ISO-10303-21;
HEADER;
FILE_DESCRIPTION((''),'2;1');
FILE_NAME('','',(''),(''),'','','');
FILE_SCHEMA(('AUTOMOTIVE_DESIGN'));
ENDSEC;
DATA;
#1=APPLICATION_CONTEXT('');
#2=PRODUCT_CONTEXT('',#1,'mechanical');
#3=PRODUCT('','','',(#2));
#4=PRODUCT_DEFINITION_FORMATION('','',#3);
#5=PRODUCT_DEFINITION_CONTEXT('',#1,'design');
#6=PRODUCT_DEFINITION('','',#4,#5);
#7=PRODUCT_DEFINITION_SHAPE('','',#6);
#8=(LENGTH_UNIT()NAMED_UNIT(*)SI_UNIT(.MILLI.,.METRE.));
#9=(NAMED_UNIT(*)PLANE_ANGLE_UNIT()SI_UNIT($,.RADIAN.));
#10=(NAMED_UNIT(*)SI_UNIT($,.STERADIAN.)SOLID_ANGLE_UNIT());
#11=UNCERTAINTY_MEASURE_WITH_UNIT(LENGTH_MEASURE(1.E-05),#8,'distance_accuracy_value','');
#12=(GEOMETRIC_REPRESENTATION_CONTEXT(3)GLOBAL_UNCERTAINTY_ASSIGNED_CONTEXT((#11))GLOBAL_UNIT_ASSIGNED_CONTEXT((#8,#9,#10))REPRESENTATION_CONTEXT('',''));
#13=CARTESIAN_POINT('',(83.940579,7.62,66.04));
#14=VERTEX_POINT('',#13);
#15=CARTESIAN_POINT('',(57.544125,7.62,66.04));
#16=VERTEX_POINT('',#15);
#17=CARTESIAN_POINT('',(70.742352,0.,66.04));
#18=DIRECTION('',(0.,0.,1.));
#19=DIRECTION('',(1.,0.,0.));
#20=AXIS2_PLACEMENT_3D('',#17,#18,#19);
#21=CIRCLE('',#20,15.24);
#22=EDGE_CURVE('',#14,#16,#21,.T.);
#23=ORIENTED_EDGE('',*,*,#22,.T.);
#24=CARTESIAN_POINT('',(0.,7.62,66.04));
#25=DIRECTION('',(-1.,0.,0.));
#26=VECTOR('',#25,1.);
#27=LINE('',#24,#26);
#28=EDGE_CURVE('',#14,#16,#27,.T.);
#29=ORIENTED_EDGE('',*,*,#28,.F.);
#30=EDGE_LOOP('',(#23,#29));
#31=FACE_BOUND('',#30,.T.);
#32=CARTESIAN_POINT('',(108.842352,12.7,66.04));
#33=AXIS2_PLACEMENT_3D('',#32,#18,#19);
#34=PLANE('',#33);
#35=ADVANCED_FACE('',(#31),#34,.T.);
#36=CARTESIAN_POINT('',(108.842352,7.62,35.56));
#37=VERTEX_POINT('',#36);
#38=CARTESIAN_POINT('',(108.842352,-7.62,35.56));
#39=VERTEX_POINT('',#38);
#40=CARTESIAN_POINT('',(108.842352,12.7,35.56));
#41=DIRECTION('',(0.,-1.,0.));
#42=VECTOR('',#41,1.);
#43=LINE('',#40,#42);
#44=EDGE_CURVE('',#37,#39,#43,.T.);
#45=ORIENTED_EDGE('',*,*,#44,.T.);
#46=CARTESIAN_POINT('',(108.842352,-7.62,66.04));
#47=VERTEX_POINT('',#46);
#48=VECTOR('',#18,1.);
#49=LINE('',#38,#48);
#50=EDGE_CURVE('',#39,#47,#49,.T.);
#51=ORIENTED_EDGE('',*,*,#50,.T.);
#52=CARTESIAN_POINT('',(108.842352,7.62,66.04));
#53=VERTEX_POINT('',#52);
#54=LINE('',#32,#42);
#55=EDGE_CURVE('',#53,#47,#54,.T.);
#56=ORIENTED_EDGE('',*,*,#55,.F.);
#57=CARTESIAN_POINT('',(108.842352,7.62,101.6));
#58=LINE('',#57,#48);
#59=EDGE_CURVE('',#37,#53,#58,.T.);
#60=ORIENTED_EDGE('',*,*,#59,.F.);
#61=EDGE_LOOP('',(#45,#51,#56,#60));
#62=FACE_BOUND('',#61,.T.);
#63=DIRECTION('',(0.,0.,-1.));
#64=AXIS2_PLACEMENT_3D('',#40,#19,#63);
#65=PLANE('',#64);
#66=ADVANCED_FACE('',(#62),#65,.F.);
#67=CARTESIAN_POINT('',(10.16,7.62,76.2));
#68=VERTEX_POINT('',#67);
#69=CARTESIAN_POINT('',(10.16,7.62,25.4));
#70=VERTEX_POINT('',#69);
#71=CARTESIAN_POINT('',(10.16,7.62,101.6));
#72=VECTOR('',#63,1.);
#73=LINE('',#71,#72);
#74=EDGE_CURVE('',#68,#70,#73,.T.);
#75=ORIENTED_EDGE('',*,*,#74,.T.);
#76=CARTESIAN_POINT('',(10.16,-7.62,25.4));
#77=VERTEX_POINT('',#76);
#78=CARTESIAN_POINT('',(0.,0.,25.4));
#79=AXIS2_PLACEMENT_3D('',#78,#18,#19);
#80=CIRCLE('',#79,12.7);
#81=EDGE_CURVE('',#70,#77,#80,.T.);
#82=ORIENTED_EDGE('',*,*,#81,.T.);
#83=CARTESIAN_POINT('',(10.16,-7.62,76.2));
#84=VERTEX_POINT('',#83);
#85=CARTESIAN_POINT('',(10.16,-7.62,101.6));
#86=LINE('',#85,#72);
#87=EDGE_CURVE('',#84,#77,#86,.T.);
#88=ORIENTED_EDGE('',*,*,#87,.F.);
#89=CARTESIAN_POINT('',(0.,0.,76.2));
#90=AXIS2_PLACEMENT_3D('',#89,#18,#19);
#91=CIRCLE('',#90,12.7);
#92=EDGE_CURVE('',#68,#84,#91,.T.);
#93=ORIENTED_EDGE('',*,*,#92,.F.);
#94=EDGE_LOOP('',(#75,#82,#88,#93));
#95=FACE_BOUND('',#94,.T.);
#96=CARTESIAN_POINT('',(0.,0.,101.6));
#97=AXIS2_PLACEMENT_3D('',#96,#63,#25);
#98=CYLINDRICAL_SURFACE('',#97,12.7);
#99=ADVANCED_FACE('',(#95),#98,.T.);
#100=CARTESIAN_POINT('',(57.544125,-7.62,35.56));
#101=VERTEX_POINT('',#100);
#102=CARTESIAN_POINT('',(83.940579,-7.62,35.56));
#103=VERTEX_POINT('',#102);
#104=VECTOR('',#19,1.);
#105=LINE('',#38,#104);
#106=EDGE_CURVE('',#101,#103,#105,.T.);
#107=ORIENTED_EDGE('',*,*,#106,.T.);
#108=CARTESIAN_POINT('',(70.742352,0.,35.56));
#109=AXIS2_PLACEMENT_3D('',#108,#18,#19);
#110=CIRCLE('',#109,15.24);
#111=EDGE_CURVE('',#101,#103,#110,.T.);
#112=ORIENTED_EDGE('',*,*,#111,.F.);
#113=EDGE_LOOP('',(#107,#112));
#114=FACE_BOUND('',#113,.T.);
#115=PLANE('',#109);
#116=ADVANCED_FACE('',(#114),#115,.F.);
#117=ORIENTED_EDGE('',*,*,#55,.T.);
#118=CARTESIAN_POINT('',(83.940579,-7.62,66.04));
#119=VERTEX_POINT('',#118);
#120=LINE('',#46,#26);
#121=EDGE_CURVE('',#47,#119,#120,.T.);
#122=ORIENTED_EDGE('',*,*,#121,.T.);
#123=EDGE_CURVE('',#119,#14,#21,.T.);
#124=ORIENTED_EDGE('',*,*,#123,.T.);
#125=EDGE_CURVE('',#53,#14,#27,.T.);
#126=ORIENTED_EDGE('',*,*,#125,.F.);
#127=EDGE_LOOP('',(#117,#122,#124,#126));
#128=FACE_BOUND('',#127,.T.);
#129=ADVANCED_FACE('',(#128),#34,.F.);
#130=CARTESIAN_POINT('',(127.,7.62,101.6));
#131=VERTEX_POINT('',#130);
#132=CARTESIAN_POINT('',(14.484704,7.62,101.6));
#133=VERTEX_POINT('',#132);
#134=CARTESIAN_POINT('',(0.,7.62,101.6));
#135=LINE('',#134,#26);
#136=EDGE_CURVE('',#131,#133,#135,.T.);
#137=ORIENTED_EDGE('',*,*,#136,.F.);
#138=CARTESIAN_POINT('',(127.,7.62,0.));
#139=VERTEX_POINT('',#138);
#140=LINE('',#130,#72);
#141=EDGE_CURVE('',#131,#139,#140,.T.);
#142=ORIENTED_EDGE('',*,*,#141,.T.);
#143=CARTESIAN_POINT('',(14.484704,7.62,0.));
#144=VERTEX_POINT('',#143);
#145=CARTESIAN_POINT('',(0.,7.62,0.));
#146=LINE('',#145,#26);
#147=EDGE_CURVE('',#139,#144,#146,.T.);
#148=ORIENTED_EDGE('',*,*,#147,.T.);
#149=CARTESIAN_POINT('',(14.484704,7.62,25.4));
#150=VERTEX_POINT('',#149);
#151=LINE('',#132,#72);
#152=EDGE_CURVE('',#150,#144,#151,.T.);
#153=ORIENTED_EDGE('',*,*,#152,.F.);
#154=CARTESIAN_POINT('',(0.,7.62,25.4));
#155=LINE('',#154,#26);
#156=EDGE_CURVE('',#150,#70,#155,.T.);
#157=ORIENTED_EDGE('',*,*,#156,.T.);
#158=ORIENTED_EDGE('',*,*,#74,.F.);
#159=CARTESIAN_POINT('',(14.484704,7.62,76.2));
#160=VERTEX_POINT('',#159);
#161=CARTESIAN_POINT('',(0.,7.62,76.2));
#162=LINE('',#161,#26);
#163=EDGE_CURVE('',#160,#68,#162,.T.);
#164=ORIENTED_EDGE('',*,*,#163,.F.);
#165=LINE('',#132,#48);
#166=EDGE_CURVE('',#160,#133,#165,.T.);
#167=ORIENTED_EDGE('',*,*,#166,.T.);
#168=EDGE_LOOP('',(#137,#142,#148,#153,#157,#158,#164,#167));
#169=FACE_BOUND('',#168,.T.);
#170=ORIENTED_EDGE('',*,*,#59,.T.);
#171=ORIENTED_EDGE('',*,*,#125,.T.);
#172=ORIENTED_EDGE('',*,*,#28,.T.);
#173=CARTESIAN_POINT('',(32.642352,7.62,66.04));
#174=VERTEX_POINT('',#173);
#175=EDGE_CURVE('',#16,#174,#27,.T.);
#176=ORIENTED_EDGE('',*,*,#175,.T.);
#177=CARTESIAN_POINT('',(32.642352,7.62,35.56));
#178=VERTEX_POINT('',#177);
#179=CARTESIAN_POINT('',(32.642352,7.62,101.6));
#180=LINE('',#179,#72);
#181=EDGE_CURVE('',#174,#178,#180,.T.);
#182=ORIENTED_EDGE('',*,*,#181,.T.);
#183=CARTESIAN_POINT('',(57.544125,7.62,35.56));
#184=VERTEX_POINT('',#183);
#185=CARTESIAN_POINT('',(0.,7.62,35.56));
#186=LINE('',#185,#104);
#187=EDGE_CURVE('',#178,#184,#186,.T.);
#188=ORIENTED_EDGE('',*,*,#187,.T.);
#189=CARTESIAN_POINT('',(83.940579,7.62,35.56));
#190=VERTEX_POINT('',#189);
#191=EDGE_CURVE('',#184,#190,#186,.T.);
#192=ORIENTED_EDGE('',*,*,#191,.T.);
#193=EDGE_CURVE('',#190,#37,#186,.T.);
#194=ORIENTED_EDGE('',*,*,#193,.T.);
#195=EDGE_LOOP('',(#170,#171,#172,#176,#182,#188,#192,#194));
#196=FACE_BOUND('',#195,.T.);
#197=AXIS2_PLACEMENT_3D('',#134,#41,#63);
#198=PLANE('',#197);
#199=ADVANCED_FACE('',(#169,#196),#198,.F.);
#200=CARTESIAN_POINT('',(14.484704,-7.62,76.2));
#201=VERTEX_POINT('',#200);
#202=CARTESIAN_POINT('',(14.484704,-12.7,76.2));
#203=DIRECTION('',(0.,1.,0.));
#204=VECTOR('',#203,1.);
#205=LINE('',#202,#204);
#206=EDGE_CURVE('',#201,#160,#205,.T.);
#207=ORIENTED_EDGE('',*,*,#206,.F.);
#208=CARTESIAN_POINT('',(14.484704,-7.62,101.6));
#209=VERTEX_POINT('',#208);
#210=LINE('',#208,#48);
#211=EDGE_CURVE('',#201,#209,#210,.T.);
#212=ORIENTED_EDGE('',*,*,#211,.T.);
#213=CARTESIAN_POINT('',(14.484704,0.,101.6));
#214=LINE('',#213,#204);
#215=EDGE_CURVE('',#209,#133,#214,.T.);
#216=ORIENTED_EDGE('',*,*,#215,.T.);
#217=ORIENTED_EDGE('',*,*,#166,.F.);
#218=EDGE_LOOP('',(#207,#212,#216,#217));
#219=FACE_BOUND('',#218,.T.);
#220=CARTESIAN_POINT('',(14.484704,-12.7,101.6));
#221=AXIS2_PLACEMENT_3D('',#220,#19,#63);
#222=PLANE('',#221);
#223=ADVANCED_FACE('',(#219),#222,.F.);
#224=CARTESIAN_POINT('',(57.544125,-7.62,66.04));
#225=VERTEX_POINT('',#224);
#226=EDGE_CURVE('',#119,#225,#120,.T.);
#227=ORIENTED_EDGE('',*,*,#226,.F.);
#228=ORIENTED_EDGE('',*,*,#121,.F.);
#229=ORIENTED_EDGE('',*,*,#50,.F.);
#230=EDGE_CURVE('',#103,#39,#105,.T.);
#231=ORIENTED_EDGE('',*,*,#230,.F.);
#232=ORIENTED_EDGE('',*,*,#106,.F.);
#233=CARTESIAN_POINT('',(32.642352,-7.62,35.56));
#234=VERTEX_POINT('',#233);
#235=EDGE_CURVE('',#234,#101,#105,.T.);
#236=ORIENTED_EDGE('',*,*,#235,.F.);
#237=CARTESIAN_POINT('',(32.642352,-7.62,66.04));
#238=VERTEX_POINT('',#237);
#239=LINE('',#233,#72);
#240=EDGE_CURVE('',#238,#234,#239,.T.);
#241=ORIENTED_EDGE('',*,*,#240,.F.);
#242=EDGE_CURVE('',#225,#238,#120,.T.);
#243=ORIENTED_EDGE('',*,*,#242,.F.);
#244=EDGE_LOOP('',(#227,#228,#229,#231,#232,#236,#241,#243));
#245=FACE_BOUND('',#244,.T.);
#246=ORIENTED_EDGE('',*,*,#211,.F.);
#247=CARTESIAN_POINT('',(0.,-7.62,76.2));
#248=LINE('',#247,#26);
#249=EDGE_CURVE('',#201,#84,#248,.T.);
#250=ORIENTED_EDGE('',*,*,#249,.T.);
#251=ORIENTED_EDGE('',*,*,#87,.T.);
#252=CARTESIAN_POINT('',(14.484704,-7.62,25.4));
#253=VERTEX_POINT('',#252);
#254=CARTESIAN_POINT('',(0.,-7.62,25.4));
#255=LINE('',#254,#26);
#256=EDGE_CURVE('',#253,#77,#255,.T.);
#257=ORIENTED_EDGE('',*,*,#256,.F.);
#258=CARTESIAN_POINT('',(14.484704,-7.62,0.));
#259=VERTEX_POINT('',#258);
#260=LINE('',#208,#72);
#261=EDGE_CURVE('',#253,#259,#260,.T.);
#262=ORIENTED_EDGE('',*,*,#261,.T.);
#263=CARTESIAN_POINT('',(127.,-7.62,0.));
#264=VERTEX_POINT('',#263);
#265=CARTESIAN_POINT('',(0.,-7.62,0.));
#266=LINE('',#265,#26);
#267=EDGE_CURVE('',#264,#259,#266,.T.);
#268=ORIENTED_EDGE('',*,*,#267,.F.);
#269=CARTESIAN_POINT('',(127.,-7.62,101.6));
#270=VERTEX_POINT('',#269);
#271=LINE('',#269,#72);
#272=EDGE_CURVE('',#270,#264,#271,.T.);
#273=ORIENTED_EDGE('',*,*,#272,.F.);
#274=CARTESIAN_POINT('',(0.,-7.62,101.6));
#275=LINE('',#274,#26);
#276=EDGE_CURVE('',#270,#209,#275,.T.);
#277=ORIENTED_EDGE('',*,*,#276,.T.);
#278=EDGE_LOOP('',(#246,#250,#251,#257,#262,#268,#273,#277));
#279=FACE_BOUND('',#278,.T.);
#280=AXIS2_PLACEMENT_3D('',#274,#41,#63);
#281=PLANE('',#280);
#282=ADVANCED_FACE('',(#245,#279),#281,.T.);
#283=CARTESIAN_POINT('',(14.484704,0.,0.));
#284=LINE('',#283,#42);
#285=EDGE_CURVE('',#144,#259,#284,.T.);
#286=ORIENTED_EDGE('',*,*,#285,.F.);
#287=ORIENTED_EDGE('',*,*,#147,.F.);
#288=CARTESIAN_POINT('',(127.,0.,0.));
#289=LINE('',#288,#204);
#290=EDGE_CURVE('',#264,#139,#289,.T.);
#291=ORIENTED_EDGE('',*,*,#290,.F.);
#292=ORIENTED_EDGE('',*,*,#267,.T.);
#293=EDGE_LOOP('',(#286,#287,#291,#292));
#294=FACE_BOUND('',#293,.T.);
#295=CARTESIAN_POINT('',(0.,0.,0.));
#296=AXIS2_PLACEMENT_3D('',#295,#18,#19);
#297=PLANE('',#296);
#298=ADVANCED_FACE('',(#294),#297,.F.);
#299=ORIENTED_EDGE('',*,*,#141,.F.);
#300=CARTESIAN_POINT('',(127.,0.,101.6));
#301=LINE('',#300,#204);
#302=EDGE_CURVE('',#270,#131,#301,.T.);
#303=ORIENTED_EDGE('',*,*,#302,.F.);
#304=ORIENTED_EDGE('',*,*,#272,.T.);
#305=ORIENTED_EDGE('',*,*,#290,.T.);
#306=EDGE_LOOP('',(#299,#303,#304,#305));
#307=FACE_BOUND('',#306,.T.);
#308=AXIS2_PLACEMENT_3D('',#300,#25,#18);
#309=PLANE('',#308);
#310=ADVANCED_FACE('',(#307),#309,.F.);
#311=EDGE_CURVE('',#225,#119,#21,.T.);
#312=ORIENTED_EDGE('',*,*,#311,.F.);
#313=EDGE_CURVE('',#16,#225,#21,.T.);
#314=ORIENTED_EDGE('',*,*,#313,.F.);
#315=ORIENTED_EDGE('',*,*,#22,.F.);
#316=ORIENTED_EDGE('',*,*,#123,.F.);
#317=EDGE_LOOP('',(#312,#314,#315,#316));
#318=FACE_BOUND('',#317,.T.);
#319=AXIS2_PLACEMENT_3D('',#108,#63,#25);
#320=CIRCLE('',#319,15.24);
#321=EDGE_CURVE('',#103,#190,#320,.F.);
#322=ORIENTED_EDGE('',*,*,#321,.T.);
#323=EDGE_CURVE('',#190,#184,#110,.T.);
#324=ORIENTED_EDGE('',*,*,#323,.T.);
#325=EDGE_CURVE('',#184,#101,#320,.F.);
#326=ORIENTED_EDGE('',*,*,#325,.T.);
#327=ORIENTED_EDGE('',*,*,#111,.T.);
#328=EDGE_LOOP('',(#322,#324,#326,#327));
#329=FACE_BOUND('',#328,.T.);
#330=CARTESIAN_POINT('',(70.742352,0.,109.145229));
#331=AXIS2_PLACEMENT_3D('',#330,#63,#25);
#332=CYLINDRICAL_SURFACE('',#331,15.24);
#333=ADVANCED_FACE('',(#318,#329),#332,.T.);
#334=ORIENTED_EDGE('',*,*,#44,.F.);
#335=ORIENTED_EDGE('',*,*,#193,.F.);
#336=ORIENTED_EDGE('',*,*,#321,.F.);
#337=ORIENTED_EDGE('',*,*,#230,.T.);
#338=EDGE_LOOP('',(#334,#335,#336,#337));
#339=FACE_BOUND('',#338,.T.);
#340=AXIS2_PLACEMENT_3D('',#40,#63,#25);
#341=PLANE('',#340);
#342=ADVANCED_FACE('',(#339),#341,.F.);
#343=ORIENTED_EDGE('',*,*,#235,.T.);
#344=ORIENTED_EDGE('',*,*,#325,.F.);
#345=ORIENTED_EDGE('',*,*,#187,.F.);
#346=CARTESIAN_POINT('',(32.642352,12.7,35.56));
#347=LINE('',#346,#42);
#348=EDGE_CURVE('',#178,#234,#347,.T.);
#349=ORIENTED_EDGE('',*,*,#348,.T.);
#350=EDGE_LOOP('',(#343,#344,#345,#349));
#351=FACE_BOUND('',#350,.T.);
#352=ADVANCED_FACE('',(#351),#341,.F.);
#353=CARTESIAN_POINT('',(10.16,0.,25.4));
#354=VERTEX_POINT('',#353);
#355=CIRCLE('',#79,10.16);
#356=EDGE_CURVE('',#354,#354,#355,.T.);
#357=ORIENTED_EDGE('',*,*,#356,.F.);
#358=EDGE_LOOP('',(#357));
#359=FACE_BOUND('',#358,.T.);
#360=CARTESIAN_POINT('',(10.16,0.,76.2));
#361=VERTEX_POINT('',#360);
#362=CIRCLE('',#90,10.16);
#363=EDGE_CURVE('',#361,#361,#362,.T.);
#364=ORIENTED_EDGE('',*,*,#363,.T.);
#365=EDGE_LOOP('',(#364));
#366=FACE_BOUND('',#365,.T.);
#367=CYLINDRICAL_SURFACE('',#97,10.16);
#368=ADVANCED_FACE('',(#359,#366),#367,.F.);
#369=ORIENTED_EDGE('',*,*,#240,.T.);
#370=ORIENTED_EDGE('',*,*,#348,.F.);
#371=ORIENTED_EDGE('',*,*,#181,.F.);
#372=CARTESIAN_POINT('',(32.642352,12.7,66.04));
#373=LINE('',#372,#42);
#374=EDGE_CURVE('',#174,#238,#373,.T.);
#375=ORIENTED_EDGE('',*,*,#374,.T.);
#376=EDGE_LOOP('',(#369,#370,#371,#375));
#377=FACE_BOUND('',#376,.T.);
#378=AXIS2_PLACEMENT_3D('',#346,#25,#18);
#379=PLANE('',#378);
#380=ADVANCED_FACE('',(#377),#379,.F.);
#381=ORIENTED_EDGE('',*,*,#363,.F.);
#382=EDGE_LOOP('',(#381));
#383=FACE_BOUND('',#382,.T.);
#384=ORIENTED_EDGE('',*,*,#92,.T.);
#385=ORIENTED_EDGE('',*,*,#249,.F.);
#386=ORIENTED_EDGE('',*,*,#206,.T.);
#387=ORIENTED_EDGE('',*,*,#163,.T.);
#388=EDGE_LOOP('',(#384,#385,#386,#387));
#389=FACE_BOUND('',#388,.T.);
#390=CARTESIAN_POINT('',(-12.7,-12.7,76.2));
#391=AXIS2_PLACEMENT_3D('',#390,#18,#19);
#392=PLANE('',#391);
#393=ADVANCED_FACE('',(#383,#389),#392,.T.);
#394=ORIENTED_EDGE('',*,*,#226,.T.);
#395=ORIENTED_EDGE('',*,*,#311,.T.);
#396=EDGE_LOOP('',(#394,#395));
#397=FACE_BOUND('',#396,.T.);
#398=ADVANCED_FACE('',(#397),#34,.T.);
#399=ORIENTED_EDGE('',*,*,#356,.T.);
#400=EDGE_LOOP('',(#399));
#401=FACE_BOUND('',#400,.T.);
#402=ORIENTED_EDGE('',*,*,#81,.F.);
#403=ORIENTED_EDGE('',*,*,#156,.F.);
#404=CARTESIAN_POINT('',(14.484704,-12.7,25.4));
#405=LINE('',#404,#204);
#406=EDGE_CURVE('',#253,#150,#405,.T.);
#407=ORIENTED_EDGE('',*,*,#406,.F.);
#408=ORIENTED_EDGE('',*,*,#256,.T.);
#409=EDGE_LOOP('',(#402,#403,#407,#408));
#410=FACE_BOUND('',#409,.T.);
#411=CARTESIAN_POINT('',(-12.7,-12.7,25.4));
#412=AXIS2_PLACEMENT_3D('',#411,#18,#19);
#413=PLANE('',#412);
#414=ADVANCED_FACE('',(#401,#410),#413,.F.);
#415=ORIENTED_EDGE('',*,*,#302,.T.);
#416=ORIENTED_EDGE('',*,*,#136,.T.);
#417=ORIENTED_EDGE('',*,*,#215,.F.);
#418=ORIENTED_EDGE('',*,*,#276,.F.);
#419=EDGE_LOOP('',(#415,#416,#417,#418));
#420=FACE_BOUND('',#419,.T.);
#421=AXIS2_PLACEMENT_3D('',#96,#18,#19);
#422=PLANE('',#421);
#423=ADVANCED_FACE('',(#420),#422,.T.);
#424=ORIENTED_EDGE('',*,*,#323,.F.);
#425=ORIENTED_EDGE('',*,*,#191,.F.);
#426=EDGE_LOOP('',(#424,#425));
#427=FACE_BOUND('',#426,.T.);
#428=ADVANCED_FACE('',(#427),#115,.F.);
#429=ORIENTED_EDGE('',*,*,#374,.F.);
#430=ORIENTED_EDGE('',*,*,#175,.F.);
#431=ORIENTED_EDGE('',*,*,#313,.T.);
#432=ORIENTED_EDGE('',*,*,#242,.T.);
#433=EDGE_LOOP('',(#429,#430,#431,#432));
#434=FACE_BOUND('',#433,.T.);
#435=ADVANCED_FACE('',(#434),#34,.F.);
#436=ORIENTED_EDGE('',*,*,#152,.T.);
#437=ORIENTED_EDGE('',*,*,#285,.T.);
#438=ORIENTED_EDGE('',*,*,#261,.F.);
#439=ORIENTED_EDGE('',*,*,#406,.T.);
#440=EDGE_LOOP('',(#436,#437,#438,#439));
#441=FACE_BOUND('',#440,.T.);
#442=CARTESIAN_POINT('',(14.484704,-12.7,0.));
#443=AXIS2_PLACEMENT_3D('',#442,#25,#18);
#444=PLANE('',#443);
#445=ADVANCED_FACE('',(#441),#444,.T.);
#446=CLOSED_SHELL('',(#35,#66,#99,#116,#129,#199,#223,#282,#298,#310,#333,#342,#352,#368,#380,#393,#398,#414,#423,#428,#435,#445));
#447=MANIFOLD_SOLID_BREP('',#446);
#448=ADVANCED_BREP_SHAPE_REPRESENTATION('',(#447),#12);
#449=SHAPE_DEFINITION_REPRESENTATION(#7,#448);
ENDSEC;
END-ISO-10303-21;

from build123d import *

# Parameters (mm, degrees)
SKETCH1_R               = 12.7
SKETCH1_R_2             = 10.16
SKETCH1_W               = 116.84
SKETCH1_H               = 15.24
BOSS_EXTRUDE1_DEPTH     = 101.6
SKETCH2_W               = 27.184704077
SKETCH2_H               = 25.4
CUT_EXTRUDE1_DEPTH      = 6.08
CUT_EXTRUDE1_DEPTH_BACK = 21.32
SKETCH3_W               = 76.2
SKETCH3_H               = 30.48
CUT_EXTRUDE2_DEPTH      = 21.32
SKETCH4_R               = 15.24
BOSS_EXTRUDE2_DEPTH     = 30.48


with BuildPart() as part:
    # Sketch1 → Boss-Extrude1 (new body)
    with BuildSketch(Plane.XY):
        Circle(SKETCH1_R)
        Circle(SKETCH1_R_2, mode=Mode.SUBTRACT)
        with Locations((68.58, 0)):
            Rectangle(SKETCH1_W, SKETCH1_H)
    extrude(amount=BOSS_EXTRUDE1_DEPTH)

    # Sketch2 → Cut-Extrude1 (cut, two sides)
    with BuildSketch(Plane(origin=(0, 7.62, 0), x_dir=(1, 0, 0), z_dir=(0, 1, 0))) as cut_extrude1_sk:
        with Locations((0.892352039, -88.9)):
            Rectangle(SKETCH2_W, SKETCH2_H)
        with Locations((0.892352039, -12.7)):
            Rectangle(SKETCH2_W, SKETCH2_H)
    extrude(amount=CUT_EXTRUDE1_DEPTH, mode=Mode.SUBTRACT)
    extrude(cut_extrude1_sk.sketch, amount=-CUT_EXTRUDE1_DEPTH_BACK, mode=Mode.SUBTRACT)

    # Sketch3 → Cut-Extrude2 (cut, through all)
    with BuildSketch(Plane.XZ.offset(7.62)):
        with Locations((70.742352039, 50.8)):
            Rectangle(SKETCH3_W, SKETCH3_H)
    extrude(amount=-CUT_EXTRUDE2_DEPTH, mode=Mode.SUBTRACT)

    # Sketch4 → Boss-Extrude2 (add)
    with BuildSketch(Plane.XY.offset(35.56)):
        with Locations((70.742352039, 0)):
            Circle(SKETCH4_R)
    extrude(amount=BOSS_EXTRUDE2_DEPTH)


solid = part.part
